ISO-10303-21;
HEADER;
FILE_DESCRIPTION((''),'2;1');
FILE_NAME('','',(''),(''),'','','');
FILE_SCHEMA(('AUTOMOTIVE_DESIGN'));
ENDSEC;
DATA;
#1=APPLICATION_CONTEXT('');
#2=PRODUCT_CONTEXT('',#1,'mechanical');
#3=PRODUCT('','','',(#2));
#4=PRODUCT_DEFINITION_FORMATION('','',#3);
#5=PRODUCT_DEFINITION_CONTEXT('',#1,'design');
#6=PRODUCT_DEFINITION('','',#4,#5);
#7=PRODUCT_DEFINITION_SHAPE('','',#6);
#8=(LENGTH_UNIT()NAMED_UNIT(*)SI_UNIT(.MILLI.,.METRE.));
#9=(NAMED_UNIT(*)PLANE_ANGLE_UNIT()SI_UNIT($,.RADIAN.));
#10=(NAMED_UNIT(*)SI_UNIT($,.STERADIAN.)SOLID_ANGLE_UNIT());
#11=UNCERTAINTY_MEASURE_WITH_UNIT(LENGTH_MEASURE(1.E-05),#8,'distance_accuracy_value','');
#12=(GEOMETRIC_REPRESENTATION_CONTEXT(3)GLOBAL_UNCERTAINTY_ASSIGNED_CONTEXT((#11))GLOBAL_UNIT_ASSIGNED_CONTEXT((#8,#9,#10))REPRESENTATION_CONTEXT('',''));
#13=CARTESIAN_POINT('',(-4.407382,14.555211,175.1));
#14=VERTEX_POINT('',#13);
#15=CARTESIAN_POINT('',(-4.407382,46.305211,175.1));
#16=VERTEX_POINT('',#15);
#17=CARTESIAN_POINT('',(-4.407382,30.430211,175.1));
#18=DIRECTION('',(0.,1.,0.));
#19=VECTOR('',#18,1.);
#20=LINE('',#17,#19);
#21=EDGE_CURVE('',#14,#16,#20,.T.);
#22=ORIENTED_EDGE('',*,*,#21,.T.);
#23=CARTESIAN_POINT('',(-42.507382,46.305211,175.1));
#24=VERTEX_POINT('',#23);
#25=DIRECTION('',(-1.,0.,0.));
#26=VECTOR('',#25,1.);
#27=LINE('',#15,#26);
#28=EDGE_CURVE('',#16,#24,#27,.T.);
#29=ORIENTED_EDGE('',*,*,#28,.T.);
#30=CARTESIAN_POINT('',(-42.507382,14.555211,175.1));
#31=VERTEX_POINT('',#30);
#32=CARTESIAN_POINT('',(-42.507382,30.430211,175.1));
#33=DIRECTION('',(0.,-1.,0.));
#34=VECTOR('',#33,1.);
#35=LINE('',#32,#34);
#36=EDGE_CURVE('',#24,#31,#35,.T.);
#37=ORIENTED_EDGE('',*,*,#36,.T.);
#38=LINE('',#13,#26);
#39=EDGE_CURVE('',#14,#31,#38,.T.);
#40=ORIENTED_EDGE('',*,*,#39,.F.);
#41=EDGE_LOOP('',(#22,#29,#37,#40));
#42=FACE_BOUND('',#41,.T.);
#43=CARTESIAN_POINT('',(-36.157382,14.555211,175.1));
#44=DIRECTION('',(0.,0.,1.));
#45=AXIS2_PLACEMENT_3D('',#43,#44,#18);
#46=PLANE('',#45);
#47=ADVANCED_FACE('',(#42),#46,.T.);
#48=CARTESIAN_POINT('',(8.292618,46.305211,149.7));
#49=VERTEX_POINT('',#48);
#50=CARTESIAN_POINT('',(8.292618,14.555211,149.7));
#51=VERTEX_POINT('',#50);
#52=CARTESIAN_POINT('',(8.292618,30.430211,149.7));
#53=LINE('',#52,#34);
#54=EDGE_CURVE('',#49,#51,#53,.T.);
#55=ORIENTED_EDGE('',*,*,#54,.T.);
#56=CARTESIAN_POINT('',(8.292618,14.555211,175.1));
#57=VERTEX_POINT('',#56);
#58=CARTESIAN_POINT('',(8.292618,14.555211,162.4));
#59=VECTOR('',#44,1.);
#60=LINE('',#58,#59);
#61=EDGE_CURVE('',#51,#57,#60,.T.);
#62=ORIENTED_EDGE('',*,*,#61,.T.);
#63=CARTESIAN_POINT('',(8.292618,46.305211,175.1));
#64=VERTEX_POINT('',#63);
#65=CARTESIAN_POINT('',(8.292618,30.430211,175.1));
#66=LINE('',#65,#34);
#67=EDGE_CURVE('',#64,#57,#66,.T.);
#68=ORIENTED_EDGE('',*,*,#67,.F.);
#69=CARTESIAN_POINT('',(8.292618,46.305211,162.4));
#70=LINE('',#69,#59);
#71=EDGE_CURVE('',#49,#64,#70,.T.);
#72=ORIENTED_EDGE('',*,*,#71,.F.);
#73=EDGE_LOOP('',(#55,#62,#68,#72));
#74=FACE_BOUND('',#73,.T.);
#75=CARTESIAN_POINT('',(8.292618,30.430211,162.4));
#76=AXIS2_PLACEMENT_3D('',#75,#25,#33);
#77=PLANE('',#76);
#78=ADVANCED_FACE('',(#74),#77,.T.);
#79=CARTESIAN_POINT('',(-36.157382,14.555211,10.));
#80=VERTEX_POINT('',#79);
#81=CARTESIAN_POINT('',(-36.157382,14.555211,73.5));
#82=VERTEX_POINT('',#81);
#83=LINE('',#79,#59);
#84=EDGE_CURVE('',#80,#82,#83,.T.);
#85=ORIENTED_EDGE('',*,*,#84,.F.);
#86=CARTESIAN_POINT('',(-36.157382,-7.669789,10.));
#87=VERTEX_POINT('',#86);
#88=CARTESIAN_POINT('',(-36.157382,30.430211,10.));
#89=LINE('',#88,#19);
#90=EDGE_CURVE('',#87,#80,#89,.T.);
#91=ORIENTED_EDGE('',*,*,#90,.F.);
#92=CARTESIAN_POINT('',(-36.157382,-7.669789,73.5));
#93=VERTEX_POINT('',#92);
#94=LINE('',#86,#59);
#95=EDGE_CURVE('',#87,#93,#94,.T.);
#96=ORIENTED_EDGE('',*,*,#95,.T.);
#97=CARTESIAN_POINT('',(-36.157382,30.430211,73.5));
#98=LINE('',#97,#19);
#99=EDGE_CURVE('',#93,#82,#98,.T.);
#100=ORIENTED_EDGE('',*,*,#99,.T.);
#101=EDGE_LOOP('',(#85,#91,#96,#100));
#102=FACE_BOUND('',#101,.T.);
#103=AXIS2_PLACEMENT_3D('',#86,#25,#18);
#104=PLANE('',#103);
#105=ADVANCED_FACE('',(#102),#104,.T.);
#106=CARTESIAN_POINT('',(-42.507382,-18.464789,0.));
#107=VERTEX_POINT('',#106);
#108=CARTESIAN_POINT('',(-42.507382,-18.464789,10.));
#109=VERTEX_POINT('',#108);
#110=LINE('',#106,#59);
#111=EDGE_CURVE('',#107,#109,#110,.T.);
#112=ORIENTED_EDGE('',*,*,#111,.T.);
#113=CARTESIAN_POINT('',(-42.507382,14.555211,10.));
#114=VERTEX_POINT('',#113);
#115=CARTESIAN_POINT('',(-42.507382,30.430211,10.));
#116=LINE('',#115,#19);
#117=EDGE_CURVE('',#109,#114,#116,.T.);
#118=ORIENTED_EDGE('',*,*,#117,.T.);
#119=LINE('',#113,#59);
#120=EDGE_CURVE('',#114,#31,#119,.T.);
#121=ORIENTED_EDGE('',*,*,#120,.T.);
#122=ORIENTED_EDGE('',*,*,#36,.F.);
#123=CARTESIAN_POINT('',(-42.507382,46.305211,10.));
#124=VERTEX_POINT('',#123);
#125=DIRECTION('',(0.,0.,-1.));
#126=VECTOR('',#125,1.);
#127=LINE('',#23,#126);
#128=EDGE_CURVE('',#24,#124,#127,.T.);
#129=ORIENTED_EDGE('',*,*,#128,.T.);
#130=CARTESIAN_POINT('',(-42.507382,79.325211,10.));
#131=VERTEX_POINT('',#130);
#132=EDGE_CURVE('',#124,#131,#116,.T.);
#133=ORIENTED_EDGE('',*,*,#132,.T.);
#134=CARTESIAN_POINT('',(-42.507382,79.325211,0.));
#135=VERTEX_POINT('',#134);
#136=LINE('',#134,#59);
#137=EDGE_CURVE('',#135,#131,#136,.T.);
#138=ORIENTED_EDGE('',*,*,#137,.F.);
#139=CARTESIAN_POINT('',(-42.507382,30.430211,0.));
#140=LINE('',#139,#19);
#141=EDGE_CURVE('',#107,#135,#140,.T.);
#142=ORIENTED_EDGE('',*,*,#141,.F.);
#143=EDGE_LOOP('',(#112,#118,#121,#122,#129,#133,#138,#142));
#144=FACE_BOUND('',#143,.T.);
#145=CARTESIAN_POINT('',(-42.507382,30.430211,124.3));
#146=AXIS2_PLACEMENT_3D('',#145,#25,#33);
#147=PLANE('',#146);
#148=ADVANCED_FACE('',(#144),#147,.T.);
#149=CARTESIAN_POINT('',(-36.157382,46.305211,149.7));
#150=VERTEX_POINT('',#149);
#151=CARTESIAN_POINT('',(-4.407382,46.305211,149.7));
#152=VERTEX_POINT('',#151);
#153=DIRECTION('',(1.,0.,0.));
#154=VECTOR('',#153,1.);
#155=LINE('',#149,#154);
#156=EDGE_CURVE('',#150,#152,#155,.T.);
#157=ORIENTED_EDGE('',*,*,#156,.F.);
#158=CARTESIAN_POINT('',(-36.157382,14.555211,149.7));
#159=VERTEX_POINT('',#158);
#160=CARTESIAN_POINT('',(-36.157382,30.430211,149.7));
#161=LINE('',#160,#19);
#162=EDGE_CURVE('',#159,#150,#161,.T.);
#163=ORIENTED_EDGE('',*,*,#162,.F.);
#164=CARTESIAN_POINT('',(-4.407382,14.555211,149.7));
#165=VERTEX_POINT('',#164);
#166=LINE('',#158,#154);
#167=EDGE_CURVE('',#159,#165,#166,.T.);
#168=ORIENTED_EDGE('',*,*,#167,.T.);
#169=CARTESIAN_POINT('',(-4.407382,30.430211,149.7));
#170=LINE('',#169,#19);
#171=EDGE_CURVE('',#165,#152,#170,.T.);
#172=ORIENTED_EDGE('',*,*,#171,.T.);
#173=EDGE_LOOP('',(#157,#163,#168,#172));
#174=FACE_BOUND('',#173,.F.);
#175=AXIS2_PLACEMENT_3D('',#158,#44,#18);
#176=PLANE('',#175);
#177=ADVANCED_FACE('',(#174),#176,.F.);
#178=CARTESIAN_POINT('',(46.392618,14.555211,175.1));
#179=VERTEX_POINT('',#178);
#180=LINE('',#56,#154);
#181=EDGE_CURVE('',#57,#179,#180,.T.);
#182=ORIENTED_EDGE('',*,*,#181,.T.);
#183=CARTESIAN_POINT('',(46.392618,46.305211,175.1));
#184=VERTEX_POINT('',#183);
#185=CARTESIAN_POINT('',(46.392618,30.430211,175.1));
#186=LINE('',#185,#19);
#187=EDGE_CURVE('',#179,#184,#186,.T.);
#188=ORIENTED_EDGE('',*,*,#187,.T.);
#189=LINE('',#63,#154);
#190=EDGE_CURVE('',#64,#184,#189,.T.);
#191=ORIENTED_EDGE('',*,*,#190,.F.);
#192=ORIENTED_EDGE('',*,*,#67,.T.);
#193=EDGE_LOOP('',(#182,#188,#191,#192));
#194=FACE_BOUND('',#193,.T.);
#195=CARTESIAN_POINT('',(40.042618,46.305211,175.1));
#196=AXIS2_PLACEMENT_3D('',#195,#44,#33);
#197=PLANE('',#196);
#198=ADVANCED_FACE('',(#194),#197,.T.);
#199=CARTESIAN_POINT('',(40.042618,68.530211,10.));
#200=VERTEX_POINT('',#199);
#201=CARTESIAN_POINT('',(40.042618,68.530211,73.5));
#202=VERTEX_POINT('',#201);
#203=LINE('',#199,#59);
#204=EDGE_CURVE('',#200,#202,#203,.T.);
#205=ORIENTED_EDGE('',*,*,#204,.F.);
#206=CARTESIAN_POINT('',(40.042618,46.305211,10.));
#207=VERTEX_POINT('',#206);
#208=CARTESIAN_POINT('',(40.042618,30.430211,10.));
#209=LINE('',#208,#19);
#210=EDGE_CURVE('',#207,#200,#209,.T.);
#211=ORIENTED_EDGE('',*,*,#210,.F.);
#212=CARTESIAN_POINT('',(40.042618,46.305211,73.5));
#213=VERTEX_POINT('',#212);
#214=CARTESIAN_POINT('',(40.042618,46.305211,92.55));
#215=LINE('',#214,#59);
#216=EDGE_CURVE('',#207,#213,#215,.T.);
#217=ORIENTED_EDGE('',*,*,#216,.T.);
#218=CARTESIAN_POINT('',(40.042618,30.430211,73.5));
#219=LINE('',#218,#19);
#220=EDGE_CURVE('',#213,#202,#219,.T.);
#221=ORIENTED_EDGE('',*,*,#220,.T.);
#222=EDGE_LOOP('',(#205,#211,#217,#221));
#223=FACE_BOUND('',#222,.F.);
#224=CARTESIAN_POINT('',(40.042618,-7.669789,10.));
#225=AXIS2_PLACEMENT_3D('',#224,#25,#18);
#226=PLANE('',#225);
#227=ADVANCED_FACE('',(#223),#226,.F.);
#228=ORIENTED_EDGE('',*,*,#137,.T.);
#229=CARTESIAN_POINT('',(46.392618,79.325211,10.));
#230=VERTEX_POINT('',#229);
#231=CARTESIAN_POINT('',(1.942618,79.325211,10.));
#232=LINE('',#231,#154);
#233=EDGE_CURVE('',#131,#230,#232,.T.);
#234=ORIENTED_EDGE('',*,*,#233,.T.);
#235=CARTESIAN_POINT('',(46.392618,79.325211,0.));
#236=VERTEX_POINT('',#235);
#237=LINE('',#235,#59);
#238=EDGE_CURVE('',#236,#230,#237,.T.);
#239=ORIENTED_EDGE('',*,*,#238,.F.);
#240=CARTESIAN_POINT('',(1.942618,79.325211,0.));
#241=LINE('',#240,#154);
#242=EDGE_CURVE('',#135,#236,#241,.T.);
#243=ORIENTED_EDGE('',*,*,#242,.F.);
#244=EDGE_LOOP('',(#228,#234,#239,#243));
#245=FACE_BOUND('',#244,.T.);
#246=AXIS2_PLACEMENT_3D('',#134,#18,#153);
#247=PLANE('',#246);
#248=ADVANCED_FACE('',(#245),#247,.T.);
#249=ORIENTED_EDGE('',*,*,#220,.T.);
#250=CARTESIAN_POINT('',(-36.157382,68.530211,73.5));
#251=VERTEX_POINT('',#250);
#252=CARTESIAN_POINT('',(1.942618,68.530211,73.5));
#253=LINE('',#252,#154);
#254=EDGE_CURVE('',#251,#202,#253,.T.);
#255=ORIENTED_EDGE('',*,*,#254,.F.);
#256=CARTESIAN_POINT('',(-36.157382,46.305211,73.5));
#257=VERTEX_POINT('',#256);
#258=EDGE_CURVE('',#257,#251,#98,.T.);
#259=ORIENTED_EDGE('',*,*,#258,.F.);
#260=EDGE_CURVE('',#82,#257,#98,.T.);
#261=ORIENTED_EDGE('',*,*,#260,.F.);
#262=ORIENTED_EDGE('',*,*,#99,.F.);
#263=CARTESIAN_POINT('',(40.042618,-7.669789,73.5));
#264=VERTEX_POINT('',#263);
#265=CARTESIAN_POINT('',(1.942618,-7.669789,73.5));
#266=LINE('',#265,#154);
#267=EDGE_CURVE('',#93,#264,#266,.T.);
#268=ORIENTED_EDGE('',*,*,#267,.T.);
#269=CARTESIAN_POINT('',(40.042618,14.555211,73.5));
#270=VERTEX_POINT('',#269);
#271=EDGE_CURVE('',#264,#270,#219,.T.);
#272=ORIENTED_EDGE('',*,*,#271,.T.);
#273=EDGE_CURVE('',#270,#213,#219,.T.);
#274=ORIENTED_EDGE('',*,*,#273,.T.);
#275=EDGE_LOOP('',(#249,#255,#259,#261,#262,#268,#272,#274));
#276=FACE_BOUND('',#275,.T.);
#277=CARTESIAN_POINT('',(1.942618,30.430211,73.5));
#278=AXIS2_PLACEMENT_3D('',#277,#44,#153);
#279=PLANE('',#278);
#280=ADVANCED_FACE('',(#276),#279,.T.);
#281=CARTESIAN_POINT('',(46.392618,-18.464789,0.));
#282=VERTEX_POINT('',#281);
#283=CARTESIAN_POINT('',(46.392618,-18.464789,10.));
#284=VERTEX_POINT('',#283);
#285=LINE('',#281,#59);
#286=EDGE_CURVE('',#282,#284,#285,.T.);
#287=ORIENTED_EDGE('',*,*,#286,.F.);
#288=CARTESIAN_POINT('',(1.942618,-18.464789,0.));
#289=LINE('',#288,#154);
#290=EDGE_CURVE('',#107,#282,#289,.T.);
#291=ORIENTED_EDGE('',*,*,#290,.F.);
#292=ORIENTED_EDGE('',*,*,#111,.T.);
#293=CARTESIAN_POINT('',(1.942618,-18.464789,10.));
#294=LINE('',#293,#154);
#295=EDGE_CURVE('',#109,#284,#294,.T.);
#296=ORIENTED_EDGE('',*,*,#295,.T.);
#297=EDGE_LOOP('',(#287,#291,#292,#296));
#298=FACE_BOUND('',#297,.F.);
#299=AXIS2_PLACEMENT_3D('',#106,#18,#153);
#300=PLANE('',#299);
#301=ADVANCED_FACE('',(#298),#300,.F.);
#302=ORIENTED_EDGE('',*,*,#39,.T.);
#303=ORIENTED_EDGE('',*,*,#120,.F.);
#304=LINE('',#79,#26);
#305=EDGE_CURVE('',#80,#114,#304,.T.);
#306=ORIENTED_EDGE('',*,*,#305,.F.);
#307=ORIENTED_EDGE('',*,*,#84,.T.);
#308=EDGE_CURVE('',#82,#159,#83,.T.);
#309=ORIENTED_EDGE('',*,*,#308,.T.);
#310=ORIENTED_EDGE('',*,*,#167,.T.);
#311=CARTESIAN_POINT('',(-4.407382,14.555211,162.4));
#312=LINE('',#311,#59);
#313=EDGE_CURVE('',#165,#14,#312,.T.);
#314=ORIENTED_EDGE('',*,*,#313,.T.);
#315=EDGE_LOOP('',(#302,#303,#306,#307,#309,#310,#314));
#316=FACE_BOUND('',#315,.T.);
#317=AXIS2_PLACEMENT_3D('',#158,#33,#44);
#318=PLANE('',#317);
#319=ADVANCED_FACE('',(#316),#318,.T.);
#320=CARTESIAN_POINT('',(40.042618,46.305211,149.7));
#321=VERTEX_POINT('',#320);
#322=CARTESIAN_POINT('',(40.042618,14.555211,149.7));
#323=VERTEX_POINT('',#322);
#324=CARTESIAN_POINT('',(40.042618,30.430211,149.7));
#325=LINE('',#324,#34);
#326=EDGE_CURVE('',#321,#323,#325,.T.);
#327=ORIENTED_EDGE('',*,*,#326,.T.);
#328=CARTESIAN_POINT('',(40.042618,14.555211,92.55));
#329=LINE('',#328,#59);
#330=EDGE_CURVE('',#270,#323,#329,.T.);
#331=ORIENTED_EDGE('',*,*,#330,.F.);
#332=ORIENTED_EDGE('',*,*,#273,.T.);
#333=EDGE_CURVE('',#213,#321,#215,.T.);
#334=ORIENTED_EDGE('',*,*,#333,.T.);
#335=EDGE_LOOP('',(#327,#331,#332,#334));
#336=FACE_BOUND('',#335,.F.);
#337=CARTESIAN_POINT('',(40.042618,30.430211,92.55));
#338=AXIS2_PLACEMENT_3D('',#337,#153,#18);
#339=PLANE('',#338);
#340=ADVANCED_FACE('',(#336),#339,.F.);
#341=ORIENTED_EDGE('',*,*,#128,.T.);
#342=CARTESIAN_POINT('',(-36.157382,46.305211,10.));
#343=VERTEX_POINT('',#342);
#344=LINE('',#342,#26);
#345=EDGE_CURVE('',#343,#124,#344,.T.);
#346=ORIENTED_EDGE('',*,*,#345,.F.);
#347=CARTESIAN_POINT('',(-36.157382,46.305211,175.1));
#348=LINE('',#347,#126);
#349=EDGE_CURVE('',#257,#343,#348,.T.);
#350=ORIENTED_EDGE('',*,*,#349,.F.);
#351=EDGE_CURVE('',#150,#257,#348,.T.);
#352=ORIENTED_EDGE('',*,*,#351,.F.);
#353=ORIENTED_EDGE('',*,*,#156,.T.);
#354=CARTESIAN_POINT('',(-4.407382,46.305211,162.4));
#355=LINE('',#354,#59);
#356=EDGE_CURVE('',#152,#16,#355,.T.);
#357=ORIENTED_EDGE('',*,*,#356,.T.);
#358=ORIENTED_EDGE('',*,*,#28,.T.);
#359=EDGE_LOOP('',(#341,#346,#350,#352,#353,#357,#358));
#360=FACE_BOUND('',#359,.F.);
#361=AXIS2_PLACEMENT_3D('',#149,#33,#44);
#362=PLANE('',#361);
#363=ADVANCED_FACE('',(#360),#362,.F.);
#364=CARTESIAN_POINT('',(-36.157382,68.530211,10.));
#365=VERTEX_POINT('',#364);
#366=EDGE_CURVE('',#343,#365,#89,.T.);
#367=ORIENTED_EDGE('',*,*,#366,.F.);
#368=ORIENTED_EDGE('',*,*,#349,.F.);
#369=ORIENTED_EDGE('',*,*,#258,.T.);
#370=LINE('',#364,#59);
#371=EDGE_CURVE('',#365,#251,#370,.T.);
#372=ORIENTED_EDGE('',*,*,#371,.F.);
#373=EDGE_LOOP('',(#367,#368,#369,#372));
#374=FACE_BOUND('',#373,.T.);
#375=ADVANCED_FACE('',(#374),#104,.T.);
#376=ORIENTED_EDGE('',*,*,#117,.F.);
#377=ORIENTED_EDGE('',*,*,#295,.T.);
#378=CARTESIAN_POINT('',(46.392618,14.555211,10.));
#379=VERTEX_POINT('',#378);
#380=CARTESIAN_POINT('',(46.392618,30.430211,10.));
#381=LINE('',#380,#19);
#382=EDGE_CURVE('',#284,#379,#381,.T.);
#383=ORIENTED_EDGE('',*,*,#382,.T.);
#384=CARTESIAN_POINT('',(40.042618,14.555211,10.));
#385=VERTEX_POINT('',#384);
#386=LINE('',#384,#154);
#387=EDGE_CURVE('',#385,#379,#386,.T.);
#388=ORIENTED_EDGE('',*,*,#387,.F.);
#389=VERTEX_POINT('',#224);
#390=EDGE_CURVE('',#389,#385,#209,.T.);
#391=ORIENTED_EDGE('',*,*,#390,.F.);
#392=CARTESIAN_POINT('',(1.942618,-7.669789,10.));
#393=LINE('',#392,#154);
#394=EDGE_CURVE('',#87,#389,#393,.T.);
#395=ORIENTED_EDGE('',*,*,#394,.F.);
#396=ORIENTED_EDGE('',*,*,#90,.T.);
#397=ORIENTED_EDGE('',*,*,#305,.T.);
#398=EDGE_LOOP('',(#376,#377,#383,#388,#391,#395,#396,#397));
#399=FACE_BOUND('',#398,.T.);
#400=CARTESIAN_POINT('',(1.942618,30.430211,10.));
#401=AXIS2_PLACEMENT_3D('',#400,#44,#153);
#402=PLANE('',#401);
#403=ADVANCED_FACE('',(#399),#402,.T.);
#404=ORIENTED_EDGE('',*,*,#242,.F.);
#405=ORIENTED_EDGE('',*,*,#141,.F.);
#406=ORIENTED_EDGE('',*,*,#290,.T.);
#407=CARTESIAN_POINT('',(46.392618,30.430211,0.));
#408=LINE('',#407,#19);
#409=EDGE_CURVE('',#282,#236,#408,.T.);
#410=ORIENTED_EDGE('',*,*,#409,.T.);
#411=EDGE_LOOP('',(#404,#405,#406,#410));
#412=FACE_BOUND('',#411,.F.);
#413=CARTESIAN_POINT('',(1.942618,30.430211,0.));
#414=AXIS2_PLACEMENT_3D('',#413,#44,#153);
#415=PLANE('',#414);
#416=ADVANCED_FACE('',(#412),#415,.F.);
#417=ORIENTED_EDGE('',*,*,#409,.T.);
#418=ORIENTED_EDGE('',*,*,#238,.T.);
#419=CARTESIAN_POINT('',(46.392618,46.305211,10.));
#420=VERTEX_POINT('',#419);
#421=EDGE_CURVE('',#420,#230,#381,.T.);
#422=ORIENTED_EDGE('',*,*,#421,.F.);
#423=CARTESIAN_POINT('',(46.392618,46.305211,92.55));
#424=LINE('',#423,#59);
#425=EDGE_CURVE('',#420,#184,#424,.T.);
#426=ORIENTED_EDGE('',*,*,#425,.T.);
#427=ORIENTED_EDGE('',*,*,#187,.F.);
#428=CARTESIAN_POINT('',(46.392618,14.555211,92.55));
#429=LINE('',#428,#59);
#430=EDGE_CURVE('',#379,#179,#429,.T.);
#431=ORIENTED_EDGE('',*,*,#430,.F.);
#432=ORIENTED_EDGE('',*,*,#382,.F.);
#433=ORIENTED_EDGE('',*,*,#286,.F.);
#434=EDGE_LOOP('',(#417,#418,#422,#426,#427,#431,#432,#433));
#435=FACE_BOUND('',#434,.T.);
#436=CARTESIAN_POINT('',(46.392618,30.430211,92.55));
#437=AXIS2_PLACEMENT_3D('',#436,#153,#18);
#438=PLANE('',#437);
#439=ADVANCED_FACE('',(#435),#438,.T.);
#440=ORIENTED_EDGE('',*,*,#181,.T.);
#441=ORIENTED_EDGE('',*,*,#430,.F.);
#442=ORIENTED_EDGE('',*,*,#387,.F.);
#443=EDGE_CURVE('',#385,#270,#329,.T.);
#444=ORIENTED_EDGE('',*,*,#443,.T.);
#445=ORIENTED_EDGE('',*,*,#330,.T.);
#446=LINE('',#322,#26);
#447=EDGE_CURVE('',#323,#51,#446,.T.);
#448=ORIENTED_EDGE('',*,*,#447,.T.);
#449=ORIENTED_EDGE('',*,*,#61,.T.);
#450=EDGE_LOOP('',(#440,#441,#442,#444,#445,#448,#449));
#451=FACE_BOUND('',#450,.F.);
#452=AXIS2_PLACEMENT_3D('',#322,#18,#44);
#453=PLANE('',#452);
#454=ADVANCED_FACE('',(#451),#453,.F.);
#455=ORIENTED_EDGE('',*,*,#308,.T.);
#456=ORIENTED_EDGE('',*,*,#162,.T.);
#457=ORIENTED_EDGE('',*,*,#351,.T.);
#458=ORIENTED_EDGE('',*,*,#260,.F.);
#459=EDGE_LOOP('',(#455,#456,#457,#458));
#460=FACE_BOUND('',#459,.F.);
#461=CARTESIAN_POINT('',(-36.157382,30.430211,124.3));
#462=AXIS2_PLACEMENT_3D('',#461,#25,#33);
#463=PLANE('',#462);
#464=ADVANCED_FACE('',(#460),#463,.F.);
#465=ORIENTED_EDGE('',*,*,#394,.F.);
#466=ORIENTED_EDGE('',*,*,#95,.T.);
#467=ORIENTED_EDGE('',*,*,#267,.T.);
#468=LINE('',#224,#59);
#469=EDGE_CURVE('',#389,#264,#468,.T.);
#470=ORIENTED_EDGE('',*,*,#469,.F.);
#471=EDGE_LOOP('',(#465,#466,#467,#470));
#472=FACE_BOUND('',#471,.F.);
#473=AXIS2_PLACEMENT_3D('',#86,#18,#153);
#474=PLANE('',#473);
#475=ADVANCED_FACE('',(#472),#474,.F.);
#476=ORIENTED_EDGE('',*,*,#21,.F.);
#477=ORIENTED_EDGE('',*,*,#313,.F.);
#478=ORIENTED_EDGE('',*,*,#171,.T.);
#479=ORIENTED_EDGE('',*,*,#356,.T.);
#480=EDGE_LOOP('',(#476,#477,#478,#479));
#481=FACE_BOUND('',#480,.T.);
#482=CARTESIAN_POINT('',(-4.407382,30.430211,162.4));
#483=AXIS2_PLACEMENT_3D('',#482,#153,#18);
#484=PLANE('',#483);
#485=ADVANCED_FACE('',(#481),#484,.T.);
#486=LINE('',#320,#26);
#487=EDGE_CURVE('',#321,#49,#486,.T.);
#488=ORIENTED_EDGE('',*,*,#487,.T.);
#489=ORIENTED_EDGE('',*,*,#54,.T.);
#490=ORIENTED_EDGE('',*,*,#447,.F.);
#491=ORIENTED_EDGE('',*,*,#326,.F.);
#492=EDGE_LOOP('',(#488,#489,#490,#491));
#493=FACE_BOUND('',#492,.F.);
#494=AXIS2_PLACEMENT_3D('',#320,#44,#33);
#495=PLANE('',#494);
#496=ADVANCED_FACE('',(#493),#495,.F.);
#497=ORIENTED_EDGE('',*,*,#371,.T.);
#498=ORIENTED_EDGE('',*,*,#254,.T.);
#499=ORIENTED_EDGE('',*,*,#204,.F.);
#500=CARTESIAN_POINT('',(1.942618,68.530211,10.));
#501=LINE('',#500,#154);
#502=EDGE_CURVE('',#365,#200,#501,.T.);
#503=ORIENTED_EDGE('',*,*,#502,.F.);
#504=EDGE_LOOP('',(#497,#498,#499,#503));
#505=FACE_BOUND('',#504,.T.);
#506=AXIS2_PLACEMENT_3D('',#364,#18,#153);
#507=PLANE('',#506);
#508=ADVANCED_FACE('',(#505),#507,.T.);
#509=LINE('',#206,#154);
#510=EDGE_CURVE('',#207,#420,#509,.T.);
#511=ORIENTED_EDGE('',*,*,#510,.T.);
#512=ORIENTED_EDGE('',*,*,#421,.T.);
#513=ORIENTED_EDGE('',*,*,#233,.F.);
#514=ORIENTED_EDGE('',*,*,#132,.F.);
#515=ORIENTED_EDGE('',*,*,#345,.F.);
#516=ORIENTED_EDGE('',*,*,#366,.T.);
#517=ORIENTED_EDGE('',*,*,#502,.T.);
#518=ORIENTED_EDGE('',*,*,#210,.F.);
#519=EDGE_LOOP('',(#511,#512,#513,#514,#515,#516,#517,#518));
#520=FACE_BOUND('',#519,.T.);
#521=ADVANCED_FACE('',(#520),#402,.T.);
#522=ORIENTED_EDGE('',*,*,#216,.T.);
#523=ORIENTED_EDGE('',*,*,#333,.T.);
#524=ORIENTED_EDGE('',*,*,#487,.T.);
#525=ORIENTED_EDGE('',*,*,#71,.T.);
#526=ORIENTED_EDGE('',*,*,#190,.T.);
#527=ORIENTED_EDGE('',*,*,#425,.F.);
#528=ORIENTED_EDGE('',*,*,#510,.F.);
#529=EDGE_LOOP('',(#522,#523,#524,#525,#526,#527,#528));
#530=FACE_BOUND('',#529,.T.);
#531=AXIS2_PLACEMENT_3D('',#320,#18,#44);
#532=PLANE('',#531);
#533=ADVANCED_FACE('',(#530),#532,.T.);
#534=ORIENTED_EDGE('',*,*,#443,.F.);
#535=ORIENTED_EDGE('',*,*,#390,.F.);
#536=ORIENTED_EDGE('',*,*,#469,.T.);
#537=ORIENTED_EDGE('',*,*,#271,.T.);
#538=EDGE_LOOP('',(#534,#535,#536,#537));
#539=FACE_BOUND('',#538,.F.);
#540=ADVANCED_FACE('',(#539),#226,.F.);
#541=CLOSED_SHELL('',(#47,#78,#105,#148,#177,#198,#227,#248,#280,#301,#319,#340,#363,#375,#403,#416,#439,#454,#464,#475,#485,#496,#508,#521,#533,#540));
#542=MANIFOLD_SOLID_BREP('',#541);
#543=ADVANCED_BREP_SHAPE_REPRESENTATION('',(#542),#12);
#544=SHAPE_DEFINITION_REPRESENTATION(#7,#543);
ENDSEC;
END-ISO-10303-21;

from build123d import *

# Parameters (mm, degrees)
F0_W      = 88.9
F0_H      = 97.79
F1_DEPTH  = 10
F2_W      = 76.2
F2_H      = 76.2
F3_DEPTH  = 63.5
F4_W      = 31.75
F4_H      = 165.1
F5_DEPTH  = 6.35
F6_W      = 31.75
F6_H      = 101.6
F6_H_2    = 63.5
F7_DEPTH  = 6.35
F8_W      = 31.75
F8_H      = 25.4
F9_DEPTH  = 31.75
F10_W     = 31.75
F10_H     = 25.4
F11_DEPTH = 31.75


with BuildPart() as f1:
    # F0 (on Top) → F1 (new body)
    with BuildSketch(Plane.XY):
        with Locations((1.942618, 30.430211)):
            Rectangle(F0_W, F0_H)
    extrude(amount=F1_DEPTH)

    # F2 (on face) → F3 (join)
    with BuildSketch(Plane.XY.offset(10)):
        with Locations((1.942618, 30.430211)):
            Rectangle(F2_W, F2_H)
    extrude(amount=F3_DEPTH)

    # F4 (on face) → F5 (join)
    with BuildSketch(Plane.YZ.offset(40.042618)):
        with Locations((30.430211, 92.55)):
            Rectangle(F4_W, F4_H)
    extrude(amount=F5_DEPTH)

    # F6 (on face) → F7 (join)
    with BuildSketch(Plane(origin=(-36.157382, 0, 0), x_dir=(0, -1, 0), z_dir=(-1, 0, 0))):
        with Locations((-30.430211, 124.3)):
            Rectangle(F6_W, F6_H)
        with Locations((-30.430211, 41.75)):
            Rectangle(F6_W, F6_H_2)
    extrude(amount=F7_DEPTH)

    # F8 (on face) → F9 (join)
    with BuildSketch(Plane(origin=(40.042618, 0, 0), x_dir=(0, -1, 0), z_dir=(-1, 0, 0))):
        with Locations((-30.430211, 162.4)):
            Rectangle(F8_W, F8_H)
    extrude(amount=F9_DEPTH)

    # F10 (on face) → F11 (join)
    with BuildSketch(Plane.YZ.offset(-36.157382)):
        with Locations((30.430211, 162.4)):
            Rectangle(F10_W, F10_H)
    extrude(amount=F11_DEPTH)


solid = f1.part
